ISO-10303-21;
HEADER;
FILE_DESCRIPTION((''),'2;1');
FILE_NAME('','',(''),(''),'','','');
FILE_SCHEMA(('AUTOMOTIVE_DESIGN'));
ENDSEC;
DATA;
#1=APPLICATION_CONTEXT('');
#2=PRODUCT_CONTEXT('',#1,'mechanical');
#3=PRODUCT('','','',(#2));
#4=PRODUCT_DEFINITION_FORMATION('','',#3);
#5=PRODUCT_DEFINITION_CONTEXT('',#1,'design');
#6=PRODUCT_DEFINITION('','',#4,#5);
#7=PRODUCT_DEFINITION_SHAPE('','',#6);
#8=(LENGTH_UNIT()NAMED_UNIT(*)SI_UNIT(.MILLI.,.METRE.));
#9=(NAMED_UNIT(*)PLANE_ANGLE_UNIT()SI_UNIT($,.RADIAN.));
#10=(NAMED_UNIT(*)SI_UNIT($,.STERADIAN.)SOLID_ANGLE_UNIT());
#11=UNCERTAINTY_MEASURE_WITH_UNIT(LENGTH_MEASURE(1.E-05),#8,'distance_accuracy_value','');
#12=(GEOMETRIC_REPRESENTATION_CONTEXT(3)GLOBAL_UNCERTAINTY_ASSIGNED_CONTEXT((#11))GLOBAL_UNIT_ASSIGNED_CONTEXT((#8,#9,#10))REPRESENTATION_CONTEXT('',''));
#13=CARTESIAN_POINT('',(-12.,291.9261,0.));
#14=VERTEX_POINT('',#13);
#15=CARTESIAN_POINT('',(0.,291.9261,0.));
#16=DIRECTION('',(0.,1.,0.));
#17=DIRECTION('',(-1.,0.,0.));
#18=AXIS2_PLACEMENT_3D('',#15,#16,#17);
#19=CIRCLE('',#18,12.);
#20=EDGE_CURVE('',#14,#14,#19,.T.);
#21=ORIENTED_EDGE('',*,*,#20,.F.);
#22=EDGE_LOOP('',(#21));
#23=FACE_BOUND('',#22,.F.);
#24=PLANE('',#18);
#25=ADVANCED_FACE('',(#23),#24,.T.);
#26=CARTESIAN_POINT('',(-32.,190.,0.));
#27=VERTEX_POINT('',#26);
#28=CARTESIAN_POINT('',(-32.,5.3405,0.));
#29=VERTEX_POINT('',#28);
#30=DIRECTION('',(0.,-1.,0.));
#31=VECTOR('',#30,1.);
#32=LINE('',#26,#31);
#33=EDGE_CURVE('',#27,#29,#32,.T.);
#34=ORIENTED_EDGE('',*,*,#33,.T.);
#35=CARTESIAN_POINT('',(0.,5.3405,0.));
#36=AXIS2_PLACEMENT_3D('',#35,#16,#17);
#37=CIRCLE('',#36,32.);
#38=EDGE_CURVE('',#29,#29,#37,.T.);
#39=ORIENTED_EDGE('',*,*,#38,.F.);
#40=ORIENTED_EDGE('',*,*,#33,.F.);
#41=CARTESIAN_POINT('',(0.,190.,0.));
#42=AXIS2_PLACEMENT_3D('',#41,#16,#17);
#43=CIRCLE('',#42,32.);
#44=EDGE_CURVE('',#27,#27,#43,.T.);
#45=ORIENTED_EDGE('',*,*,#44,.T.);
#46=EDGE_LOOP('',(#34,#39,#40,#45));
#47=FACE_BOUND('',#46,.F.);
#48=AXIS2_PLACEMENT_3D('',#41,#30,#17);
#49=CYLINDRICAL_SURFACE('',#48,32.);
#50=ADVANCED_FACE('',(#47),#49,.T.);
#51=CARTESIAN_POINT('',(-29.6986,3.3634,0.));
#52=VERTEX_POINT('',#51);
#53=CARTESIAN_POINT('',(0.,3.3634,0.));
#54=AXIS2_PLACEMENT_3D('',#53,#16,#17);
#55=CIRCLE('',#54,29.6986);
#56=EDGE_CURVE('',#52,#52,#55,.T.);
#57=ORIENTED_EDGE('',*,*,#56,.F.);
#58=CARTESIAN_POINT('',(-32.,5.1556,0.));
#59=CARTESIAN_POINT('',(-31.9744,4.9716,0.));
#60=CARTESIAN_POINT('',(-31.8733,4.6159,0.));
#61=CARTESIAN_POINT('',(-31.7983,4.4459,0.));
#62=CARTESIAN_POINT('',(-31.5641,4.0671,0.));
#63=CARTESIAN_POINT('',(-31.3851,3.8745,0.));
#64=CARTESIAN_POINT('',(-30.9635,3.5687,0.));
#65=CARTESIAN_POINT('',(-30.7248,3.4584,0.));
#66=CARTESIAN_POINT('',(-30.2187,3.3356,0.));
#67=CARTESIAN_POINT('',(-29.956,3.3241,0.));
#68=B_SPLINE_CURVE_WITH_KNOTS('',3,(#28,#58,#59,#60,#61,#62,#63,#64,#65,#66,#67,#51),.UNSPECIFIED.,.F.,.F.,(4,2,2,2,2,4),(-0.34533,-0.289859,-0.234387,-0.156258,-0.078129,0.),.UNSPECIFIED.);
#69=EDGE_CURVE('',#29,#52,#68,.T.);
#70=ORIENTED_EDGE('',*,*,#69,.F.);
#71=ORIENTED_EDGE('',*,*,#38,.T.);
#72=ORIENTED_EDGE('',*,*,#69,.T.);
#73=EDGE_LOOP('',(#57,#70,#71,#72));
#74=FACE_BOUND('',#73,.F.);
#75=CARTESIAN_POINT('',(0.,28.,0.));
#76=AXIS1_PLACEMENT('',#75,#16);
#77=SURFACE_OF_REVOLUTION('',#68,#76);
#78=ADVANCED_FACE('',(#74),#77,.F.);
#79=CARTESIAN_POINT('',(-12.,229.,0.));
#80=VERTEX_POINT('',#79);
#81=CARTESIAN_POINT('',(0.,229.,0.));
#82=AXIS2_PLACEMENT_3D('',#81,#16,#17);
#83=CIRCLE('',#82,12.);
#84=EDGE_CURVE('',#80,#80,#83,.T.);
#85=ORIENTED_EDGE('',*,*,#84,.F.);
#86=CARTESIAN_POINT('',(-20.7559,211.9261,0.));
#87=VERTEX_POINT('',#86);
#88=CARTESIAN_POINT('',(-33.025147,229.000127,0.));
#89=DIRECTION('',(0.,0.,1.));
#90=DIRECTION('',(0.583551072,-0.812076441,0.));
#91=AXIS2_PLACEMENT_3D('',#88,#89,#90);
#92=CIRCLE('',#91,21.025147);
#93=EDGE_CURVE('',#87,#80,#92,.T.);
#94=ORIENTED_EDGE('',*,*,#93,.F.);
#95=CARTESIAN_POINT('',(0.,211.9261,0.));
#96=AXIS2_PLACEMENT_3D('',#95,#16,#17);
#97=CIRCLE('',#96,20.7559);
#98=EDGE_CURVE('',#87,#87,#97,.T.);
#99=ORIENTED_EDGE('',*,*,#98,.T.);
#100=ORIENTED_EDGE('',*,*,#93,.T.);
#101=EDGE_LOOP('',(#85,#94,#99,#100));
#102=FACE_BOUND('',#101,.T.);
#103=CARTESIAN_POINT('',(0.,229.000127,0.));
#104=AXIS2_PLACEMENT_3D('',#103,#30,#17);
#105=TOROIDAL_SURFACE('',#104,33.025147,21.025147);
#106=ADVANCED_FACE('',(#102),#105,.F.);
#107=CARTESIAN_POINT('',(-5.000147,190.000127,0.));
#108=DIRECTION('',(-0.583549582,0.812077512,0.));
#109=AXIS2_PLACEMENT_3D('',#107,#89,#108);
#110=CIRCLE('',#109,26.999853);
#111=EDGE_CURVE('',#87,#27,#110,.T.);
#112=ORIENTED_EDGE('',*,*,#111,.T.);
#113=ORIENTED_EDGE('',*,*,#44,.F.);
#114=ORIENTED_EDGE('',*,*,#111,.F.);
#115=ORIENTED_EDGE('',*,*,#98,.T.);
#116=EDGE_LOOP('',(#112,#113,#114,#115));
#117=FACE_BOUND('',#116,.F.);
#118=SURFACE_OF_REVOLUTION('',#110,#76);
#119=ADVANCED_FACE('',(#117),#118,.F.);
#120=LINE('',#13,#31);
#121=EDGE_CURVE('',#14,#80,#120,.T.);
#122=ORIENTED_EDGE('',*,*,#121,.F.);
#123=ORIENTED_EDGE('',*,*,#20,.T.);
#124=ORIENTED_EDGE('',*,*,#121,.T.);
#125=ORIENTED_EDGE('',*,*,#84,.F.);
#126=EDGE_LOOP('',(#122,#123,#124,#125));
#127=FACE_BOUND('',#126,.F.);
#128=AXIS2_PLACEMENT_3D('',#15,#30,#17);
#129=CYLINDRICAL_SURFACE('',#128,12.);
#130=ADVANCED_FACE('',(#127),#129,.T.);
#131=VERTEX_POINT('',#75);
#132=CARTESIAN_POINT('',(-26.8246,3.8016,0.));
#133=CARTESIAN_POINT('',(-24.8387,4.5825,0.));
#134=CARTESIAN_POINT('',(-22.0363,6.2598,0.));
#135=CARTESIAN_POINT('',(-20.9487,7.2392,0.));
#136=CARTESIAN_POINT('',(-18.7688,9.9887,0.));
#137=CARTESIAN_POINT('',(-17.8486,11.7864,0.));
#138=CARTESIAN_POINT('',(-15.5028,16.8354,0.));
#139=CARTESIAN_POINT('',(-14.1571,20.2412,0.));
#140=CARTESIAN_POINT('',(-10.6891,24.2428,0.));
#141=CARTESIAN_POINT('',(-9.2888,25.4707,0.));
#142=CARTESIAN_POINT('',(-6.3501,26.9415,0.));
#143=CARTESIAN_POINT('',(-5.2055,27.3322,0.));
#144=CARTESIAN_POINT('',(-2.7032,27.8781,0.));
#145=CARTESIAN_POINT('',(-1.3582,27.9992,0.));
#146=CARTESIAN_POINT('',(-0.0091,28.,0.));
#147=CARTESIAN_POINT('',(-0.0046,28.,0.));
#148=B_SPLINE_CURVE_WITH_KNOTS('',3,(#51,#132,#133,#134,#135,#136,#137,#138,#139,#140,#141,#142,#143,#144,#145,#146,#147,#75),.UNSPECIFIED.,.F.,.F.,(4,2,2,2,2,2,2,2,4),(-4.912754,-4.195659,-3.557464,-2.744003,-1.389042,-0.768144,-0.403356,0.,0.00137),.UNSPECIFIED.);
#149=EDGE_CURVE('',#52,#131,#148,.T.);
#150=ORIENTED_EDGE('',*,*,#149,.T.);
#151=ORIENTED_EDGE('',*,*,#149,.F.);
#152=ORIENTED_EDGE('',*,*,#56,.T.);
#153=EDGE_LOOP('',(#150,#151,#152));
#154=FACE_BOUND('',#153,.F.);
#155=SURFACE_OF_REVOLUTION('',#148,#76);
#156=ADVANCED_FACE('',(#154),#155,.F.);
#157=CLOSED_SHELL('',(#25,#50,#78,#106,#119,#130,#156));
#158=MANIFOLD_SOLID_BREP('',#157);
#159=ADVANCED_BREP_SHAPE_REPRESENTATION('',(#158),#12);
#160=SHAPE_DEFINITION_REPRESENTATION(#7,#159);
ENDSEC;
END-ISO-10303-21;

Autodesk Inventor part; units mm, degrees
ref_plane "YZ Plane" through (0, 0, 0) normal (1, 0, 0) x (0, 1, 0)
ref_plane "XZ Plane" through (0, 0, 0) normal (0, 1, 0) x (-1, 0, 0)
ref_plane "XY Plane" through (0, 0, 0) normal (0, 0, 1) x (1, 0, 0)
sketch "Sketch1" plane through (0, 0, 0) normal (0, 0, 1) x (1, 0, 0)
  spline S0 degree 3 poles (29.6986, 3.3634) (29.8814, 3.3355) (30.0671, 3.3331) (30.434, 3.3795) (30.6134, 3.428) (31.0231, 3.6024) (31.2405, 3.7503) (31.6064, 4.121) (31.7514, 4.3403) (31.9491, 4.8222) (32, 5.0801) (32, 5.3405) knots -0.34533 -0.34533 -0.34533 -0.34533 -0.289859 -0.289859 -0.234387 -0.234387 -0.156258 -0.156258 -0.078129 -0.078129 0 0 0 0 construction
  line L0 (32, 5.3405) -> (32, 190) construction
  arc A0 (32, 190) -> (20.7559, 211.9261) centre (5, 190) ccw construction
  arc A1 (12, 229) -> (20.7559, 211.9261) centre (33.025, 229) ccw construction
  line L1 (12, 229) -> (12, 300) construction
  line L2 (12, 300) -> (14, 300) construction
  arc A2 (15, 299) -> (14, 300) centre (14, 299) ccw construction
  line L3 (15, 299) -> (15, 229) construction
  arc A3 (15, 229) -> (22.5065, 214.3623) centre (33.025, 229) ccw construction
  arc A4 (35, 190) -> (22.5065, 214.3623) centre (5, 190) ccw construction
  line L4 (35, 190) -> (35, 5.3405) construction
  spline S1 degree 3 poles (35, 5.3405) (35, 4.8783) (34.9359, 4.4182) (34.6831, 3.5289) (34.4957, 3.1039) (33.9101, 2.157) (33.4628, 1.6755) (32.4088, 0.9109) (31.8121, 0.6352) (30.5467, 0.3281) (29.89, 0.2995) (29.2464, 0.3977) knots -0.863326 -0.863326 -0.863326 -0.863326 -0.724646 -0.724646 -0.585967 -0.585967 -0.390644 -0.390644 -0.195322 -0.195322 0 0 0 0 construction
  spline S2 degree 3 poles (29.2464, 0.3977) (26.1774, 0.8656) (23.7647, 1.729) (20.1854, 3.8713) (18.825, 5.0891) (16.2221, 8.372) (15.193, 10.3823) (12.8144, 15.5018) (11.5745, 18.6403) (8.5374, 22.145) (7.4227, 23.0499) (5.2311, 24.1468) (4.3215, 24.4544) (2.2754, 24.9009) (1.1405, 24.9993) (0.0085, 25) (0.0043, 25) (0, 25) knots -3.773071 -3.773071 -3.773071 -3.773071 -3.15254 -3.15254 -2.633774 -2.633774 -2.013412 -2.013412 -1.072391 -1.072391 -0.62775 -0.62775 -0.338334 -0.338334 0 0 0.001276 0.001276 0.001276 0.001276 construction
  spline S3 degree 3 poles (0, 25) (-0.0043, 25) (-0.0085, 25) (-1.1405, 24.9993) (-2.2754, 24.9009) (-4.3215, 24.4544) (-5.2311, 24.1468) (-7.4227, 23.0499) (-8.5374, 22.145) (-11.5745, 18.6403) (-12.8144, 15.5018) (-15.193, 10.3823) (-16.2221, 8.372) (-18.825, 5.0891) (-20.1854, 3.8713) (-23.7647, 1.729) (-26.1774, 0.8656) (-29.2464, 0.3977) knots -5.664841 -5.664841 -5.664841 -5.664841 -5.662926 -5.662926 -5.155127 -5.155127 -4.720749 -4.720749 -4.053395 -4.053395 -2.641037 -2.641037 -1.709948 -1.709948 -0.931342 -0.931342 0 0 0 0 construction
  spline S4 degree 3 poles (-29.2464, 0.3977) (-29.7034, 0.328) (-30.1678, 0.322) (-31.0851, 0.4379) (-31.5335, 0.5591) (-32.5578, 0.9953) (-33.1013, 1.3649) (-34.016, 2.2917) (-34.3785, 2.84) (-34.8728, 4.0446) (-35, 4.6895) (-35, 5.3405) knots -0.863326 -0.863326 -0.863326 -0.863326 -0.724646 -0.724646 -0.585967 -0.585967 -0.390644 -0.390644 -0.195322 -0.195322 0 0 0 0 construction
  line L5 (-35, 5.3405) -> (-35, 190) construction
  arc A5 (-22.5065, 214.3623) -> (-35, 190) centre (-5, 190) ccw construction
  arc A6 (-22.5065, 214.3623) -> (-15, 229) centre (-33.025, 229) ccw construction
  line L6 (-15, 229) -> (-15, 299) construction
  arc A7 (-14, 300) -> (-15, 299) centre (-14, 299) ccw construction
  line L7 (-14, 300) -> (-12, 300) construction
  line L8 (-12, 291.9261) -> (-12, 229) construction
  arc A8 (-20.7559, 211.9261) -> (-12, 229) centre (-33.025, 229) ccw
  arc A9 (-20.7559, 211.9261) -> (-32, 190) centre (-5, 190) ccw
  line L9 (-32, 190) -> (-32, 5.3405)
  spline S5 degree 3 poles (-32, 5.3405) (-32, 5.1556) (-31.9744, 4.9716) (-31.8733, 4.6159) (-31.7983, 4.4459) (-31.5641, 4.0671) (-31.3851, 3.8745) (-30.9635, 3.5687) (-30.7248, 3.4584) (-30.2187, 3.3356) (-29.956, 3.3241) (-29.6986, 3.3634) knots -0.34533 -0.34533 -0.34533 -0.34533 -0.289859 -0.289859 -0.234387 -0.234387 -0.156258 -0.156258 -0.078129 -0.078129 0 0 0 0
  spline S6 degree 3 poles (-29.6986, 3.3634) (-26.8246, 3.8016) (-24.8387, 4.5825) (-22.0363, 6.2598) (-20.9487, 7.2392) (-18.7688, 9.9887) (-17.8486, 11.7864) (-15.5028, 16.8354) (-14.1571, 20.2412) (-10.6891, 24.2428) (-9.2888, 25.4707) (-6.3501, 26.9415) (-5.2055, 27.3322) (-2.7032, 27.8781) (-1.3582, 27.9992) (-0.0091, 28) (-0.0046, 28) (0, 28) knots -4.912754 -4.912754 -4.912754 -4.912754 -4.195659 -4.195659 -3.557464 -3.557464 -2.744003 -2.744003 -1.389042 -1.389042 -0.768144 -0.768144 -0.403356 -0.403356 0 0 0.00137 0.00137 0.00137 0.00137
  spline S7 degree 3 poles (0, 28) (0.0046, 28) (0.0091, 28) (1.3582, 27.9992) (2.7032, 27.8781) (5.2055, 27.3322) (6.3501, 26.9415) (9.2888, 25.4707) (10.6891, 24.2428) (14.1571, 20.2412) (15.5028, 16.8354) (17.8486, 11.7864) (18.7688, 9.9887) (20.9487, 7.2392) (22.0363, 6.2598) (24.8387, 4.5825) (26.8246, 3.8016) (29.6986, 3.3634) knots -5.976652 -5.976652 -5.976652 -5.976652 -5.974985 -5.974985 -5.484417 -5.484417 -5.040754 -5.040754 -4.285607 -4.285607 -2.637676 -2.637676 -1.64833 -1.64833 -0.872146 -0.872146 0 0 0 0 construction
  line L10 (0, 28) -> (0, 291.9261)
  line L11 (-12, 291.9261) -> (-12, 229)
  line L12 (11.5, 260) -> (-11.5, 260) construction
  line L13 (0, 291.9261) -> (-12, 291.9261)
  point P0 (0, 0)
  point P1 (0, 260)
  point P2 (-12, 260)
  dimension "d1" = 80
revolve "Revolution1" add sketch "Sketch1" angle 360 about axis through (0, 28, 0) along (0, 1, 0)
properties part number "WINE_RED_1" material "Plaster"
